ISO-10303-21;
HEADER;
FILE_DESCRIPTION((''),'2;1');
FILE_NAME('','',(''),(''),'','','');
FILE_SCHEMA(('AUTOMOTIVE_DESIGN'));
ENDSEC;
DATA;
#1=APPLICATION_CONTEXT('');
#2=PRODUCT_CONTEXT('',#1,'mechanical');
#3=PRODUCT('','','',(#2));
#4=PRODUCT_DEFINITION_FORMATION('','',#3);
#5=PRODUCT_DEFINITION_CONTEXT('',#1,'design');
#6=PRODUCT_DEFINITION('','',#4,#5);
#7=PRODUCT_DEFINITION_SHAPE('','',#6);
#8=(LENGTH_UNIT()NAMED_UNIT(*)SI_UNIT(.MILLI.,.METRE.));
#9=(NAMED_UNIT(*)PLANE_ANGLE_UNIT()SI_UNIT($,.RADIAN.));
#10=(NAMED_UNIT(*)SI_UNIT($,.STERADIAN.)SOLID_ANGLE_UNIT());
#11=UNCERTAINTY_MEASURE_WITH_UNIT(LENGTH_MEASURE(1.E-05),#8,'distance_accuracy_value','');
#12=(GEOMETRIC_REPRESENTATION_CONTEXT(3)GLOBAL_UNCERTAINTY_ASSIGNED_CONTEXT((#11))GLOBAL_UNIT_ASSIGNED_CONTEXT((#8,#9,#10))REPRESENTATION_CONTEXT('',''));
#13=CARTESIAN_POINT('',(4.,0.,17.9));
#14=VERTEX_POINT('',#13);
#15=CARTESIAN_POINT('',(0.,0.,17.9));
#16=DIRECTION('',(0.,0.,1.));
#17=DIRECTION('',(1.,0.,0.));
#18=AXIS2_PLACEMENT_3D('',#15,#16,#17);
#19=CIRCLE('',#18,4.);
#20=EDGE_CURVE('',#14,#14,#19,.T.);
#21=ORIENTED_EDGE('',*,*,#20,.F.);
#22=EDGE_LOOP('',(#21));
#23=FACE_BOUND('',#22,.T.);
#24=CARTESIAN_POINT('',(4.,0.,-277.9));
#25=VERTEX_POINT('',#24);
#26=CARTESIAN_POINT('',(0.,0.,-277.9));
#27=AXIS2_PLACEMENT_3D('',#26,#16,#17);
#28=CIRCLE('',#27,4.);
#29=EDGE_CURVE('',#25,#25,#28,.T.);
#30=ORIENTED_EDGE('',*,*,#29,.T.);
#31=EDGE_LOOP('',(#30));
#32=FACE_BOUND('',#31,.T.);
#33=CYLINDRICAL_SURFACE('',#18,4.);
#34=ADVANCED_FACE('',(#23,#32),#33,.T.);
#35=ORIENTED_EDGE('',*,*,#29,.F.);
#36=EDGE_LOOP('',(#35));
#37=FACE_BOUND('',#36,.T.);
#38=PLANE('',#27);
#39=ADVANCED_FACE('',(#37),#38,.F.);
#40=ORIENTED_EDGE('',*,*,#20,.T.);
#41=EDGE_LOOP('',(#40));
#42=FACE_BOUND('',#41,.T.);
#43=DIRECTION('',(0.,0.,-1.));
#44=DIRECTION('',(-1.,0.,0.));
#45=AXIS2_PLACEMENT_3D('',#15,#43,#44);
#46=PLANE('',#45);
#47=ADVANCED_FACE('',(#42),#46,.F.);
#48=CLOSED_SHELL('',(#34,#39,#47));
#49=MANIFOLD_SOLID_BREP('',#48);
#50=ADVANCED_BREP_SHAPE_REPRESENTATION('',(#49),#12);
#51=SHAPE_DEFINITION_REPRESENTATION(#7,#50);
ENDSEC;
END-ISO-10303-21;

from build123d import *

# Parameters (mm, degrees)
SKETCH2_W = 295.8
SKETCH2_H = 4


with BuildPart() as part:
    # Sketch2 → Revolve1 (revolve)
    with BuildSketch(Plane(origin=(0, 0, 0), x_dir=(0, 0, -1), z_dir=(1, 0, 0))):
        with Locations((130, 2)):
            Rectangle(SKETCH2_W, SKETCH2_H)
    revolve(axis=Axis((0, 0, 17.9), (0, 0, -1)))


solid = part.part
